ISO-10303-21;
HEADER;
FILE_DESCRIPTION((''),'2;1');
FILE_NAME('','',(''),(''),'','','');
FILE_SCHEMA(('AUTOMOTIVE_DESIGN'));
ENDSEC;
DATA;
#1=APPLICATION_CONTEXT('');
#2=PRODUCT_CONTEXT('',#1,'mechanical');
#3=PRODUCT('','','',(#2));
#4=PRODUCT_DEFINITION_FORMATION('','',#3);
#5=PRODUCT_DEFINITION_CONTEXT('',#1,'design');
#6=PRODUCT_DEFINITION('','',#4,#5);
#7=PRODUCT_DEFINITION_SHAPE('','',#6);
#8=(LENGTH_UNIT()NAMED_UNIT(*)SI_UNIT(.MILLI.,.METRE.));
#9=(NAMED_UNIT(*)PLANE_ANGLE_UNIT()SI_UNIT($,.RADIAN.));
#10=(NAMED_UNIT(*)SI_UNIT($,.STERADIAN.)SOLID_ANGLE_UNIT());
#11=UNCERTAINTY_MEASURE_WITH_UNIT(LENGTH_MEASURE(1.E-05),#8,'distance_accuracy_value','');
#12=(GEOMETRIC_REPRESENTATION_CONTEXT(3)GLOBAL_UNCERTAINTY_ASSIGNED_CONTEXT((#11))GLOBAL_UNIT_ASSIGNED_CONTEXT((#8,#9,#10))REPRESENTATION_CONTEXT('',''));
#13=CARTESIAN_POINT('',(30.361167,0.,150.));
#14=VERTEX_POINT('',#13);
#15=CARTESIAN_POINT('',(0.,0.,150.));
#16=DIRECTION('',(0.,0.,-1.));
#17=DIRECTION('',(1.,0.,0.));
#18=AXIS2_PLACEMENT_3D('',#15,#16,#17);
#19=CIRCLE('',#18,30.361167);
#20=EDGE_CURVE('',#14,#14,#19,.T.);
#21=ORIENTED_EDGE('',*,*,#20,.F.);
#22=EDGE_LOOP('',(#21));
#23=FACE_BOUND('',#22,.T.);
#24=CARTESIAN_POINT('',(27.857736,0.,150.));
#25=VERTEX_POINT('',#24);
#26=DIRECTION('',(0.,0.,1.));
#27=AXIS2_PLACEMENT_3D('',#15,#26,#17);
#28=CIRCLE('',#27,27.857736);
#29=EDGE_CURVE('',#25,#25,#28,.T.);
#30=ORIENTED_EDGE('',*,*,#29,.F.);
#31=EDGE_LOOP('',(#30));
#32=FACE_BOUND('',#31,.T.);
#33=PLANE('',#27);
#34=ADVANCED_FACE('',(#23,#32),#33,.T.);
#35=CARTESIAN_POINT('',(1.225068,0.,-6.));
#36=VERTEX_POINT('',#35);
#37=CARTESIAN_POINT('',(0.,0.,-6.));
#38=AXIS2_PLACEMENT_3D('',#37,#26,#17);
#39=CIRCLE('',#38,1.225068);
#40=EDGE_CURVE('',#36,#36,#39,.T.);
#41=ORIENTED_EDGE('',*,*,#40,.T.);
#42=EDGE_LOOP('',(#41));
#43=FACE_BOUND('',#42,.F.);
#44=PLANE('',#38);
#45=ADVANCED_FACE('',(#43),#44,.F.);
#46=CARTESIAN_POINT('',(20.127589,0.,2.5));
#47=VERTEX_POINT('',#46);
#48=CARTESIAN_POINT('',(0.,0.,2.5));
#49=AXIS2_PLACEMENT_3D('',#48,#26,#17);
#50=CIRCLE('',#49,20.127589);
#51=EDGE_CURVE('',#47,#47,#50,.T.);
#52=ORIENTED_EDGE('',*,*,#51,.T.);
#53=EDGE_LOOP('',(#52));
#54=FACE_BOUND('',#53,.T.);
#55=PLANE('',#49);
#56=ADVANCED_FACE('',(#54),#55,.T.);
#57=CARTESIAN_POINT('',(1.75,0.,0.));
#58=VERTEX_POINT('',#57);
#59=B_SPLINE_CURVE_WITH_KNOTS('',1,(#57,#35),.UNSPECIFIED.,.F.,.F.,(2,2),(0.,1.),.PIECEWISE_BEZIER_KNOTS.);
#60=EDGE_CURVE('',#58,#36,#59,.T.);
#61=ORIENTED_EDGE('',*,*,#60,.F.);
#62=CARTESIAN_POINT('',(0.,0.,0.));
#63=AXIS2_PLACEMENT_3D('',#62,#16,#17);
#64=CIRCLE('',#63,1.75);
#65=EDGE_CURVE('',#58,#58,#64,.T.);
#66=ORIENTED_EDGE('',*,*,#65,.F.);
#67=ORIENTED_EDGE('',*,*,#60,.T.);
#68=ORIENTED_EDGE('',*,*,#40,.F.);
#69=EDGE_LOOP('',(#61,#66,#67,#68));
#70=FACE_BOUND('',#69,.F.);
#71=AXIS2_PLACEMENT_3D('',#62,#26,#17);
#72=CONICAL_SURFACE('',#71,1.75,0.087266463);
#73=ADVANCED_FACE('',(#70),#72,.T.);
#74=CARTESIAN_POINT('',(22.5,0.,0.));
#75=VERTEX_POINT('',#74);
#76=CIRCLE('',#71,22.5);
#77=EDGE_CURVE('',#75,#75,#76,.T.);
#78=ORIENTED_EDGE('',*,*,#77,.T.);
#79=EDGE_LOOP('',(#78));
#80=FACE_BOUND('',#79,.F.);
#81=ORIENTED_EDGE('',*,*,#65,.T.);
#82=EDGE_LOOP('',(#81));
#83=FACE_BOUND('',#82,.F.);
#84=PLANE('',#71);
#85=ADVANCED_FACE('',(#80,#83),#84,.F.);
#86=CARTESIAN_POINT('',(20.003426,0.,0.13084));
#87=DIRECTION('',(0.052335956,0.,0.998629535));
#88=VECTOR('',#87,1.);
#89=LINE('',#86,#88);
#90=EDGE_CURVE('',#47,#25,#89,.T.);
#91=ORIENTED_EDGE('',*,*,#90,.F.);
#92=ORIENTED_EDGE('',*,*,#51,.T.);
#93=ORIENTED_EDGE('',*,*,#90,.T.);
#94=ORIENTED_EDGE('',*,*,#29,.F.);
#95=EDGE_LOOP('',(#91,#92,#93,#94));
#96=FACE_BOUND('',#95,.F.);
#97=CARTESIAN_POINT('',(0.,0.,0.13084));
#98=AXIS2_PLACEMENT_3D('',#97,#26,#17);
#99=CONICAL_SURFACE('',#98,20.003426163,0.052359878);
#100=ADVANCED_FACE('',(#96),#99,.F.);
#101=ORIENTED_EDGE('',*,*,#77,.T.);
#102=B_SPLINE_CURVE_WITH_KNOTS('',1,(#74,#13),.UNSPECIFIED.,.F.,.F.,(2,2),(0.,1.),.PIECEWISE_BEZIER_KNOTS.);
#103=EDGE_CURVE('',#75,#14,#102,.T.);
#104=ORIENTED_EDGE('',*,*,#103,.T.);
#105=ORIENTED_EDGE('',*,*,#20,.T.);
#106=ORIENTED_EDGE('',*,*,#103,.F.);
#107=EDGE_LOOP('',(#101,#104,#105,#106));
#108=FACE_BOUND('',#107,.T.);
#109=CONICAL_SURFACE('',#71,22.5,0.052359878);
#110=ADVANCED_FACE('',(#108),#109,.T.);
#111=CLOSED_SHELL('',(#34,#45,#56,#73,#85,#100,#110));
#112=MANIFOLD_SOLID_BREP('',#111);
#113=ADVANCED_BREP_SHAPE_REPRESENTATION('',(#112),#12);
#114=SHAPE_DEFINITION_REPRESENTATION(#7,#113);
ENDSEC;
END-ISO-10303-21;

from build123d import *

# Parameters (mm, degrees)
F0_R     = 22.5
F1_DEPTH = 150
F1_TAPER = -3
F2_T     = -2.5
F3_R     = 1.75
F4_DEPTH = 6
F4_TAPER = 5


with BuildPart() as f1:
    # F0 (on Top) → F1 (new body)
    with BuildSketch(Plane.XY):
        Circle(F0_R)
    extrude(amount=F1_DEPTH, taper=F1_TAPER)

    # F2
    f2_openings = [f1.faces().sort_by_distance(p)[0] for p in [
        (0, 0, 150),
    ]]
    offset(amount=F2_T, openings=f2_openings, kind=Kind.INTERSECTION)

    # F3 (on Top) → F4 (join)
    with BuildSketch(Plane.XY):
        Circle(F3_R)
    extrude(amount=-F4_DEPTH, taper=F4_TAPER)


solid = f1.part
